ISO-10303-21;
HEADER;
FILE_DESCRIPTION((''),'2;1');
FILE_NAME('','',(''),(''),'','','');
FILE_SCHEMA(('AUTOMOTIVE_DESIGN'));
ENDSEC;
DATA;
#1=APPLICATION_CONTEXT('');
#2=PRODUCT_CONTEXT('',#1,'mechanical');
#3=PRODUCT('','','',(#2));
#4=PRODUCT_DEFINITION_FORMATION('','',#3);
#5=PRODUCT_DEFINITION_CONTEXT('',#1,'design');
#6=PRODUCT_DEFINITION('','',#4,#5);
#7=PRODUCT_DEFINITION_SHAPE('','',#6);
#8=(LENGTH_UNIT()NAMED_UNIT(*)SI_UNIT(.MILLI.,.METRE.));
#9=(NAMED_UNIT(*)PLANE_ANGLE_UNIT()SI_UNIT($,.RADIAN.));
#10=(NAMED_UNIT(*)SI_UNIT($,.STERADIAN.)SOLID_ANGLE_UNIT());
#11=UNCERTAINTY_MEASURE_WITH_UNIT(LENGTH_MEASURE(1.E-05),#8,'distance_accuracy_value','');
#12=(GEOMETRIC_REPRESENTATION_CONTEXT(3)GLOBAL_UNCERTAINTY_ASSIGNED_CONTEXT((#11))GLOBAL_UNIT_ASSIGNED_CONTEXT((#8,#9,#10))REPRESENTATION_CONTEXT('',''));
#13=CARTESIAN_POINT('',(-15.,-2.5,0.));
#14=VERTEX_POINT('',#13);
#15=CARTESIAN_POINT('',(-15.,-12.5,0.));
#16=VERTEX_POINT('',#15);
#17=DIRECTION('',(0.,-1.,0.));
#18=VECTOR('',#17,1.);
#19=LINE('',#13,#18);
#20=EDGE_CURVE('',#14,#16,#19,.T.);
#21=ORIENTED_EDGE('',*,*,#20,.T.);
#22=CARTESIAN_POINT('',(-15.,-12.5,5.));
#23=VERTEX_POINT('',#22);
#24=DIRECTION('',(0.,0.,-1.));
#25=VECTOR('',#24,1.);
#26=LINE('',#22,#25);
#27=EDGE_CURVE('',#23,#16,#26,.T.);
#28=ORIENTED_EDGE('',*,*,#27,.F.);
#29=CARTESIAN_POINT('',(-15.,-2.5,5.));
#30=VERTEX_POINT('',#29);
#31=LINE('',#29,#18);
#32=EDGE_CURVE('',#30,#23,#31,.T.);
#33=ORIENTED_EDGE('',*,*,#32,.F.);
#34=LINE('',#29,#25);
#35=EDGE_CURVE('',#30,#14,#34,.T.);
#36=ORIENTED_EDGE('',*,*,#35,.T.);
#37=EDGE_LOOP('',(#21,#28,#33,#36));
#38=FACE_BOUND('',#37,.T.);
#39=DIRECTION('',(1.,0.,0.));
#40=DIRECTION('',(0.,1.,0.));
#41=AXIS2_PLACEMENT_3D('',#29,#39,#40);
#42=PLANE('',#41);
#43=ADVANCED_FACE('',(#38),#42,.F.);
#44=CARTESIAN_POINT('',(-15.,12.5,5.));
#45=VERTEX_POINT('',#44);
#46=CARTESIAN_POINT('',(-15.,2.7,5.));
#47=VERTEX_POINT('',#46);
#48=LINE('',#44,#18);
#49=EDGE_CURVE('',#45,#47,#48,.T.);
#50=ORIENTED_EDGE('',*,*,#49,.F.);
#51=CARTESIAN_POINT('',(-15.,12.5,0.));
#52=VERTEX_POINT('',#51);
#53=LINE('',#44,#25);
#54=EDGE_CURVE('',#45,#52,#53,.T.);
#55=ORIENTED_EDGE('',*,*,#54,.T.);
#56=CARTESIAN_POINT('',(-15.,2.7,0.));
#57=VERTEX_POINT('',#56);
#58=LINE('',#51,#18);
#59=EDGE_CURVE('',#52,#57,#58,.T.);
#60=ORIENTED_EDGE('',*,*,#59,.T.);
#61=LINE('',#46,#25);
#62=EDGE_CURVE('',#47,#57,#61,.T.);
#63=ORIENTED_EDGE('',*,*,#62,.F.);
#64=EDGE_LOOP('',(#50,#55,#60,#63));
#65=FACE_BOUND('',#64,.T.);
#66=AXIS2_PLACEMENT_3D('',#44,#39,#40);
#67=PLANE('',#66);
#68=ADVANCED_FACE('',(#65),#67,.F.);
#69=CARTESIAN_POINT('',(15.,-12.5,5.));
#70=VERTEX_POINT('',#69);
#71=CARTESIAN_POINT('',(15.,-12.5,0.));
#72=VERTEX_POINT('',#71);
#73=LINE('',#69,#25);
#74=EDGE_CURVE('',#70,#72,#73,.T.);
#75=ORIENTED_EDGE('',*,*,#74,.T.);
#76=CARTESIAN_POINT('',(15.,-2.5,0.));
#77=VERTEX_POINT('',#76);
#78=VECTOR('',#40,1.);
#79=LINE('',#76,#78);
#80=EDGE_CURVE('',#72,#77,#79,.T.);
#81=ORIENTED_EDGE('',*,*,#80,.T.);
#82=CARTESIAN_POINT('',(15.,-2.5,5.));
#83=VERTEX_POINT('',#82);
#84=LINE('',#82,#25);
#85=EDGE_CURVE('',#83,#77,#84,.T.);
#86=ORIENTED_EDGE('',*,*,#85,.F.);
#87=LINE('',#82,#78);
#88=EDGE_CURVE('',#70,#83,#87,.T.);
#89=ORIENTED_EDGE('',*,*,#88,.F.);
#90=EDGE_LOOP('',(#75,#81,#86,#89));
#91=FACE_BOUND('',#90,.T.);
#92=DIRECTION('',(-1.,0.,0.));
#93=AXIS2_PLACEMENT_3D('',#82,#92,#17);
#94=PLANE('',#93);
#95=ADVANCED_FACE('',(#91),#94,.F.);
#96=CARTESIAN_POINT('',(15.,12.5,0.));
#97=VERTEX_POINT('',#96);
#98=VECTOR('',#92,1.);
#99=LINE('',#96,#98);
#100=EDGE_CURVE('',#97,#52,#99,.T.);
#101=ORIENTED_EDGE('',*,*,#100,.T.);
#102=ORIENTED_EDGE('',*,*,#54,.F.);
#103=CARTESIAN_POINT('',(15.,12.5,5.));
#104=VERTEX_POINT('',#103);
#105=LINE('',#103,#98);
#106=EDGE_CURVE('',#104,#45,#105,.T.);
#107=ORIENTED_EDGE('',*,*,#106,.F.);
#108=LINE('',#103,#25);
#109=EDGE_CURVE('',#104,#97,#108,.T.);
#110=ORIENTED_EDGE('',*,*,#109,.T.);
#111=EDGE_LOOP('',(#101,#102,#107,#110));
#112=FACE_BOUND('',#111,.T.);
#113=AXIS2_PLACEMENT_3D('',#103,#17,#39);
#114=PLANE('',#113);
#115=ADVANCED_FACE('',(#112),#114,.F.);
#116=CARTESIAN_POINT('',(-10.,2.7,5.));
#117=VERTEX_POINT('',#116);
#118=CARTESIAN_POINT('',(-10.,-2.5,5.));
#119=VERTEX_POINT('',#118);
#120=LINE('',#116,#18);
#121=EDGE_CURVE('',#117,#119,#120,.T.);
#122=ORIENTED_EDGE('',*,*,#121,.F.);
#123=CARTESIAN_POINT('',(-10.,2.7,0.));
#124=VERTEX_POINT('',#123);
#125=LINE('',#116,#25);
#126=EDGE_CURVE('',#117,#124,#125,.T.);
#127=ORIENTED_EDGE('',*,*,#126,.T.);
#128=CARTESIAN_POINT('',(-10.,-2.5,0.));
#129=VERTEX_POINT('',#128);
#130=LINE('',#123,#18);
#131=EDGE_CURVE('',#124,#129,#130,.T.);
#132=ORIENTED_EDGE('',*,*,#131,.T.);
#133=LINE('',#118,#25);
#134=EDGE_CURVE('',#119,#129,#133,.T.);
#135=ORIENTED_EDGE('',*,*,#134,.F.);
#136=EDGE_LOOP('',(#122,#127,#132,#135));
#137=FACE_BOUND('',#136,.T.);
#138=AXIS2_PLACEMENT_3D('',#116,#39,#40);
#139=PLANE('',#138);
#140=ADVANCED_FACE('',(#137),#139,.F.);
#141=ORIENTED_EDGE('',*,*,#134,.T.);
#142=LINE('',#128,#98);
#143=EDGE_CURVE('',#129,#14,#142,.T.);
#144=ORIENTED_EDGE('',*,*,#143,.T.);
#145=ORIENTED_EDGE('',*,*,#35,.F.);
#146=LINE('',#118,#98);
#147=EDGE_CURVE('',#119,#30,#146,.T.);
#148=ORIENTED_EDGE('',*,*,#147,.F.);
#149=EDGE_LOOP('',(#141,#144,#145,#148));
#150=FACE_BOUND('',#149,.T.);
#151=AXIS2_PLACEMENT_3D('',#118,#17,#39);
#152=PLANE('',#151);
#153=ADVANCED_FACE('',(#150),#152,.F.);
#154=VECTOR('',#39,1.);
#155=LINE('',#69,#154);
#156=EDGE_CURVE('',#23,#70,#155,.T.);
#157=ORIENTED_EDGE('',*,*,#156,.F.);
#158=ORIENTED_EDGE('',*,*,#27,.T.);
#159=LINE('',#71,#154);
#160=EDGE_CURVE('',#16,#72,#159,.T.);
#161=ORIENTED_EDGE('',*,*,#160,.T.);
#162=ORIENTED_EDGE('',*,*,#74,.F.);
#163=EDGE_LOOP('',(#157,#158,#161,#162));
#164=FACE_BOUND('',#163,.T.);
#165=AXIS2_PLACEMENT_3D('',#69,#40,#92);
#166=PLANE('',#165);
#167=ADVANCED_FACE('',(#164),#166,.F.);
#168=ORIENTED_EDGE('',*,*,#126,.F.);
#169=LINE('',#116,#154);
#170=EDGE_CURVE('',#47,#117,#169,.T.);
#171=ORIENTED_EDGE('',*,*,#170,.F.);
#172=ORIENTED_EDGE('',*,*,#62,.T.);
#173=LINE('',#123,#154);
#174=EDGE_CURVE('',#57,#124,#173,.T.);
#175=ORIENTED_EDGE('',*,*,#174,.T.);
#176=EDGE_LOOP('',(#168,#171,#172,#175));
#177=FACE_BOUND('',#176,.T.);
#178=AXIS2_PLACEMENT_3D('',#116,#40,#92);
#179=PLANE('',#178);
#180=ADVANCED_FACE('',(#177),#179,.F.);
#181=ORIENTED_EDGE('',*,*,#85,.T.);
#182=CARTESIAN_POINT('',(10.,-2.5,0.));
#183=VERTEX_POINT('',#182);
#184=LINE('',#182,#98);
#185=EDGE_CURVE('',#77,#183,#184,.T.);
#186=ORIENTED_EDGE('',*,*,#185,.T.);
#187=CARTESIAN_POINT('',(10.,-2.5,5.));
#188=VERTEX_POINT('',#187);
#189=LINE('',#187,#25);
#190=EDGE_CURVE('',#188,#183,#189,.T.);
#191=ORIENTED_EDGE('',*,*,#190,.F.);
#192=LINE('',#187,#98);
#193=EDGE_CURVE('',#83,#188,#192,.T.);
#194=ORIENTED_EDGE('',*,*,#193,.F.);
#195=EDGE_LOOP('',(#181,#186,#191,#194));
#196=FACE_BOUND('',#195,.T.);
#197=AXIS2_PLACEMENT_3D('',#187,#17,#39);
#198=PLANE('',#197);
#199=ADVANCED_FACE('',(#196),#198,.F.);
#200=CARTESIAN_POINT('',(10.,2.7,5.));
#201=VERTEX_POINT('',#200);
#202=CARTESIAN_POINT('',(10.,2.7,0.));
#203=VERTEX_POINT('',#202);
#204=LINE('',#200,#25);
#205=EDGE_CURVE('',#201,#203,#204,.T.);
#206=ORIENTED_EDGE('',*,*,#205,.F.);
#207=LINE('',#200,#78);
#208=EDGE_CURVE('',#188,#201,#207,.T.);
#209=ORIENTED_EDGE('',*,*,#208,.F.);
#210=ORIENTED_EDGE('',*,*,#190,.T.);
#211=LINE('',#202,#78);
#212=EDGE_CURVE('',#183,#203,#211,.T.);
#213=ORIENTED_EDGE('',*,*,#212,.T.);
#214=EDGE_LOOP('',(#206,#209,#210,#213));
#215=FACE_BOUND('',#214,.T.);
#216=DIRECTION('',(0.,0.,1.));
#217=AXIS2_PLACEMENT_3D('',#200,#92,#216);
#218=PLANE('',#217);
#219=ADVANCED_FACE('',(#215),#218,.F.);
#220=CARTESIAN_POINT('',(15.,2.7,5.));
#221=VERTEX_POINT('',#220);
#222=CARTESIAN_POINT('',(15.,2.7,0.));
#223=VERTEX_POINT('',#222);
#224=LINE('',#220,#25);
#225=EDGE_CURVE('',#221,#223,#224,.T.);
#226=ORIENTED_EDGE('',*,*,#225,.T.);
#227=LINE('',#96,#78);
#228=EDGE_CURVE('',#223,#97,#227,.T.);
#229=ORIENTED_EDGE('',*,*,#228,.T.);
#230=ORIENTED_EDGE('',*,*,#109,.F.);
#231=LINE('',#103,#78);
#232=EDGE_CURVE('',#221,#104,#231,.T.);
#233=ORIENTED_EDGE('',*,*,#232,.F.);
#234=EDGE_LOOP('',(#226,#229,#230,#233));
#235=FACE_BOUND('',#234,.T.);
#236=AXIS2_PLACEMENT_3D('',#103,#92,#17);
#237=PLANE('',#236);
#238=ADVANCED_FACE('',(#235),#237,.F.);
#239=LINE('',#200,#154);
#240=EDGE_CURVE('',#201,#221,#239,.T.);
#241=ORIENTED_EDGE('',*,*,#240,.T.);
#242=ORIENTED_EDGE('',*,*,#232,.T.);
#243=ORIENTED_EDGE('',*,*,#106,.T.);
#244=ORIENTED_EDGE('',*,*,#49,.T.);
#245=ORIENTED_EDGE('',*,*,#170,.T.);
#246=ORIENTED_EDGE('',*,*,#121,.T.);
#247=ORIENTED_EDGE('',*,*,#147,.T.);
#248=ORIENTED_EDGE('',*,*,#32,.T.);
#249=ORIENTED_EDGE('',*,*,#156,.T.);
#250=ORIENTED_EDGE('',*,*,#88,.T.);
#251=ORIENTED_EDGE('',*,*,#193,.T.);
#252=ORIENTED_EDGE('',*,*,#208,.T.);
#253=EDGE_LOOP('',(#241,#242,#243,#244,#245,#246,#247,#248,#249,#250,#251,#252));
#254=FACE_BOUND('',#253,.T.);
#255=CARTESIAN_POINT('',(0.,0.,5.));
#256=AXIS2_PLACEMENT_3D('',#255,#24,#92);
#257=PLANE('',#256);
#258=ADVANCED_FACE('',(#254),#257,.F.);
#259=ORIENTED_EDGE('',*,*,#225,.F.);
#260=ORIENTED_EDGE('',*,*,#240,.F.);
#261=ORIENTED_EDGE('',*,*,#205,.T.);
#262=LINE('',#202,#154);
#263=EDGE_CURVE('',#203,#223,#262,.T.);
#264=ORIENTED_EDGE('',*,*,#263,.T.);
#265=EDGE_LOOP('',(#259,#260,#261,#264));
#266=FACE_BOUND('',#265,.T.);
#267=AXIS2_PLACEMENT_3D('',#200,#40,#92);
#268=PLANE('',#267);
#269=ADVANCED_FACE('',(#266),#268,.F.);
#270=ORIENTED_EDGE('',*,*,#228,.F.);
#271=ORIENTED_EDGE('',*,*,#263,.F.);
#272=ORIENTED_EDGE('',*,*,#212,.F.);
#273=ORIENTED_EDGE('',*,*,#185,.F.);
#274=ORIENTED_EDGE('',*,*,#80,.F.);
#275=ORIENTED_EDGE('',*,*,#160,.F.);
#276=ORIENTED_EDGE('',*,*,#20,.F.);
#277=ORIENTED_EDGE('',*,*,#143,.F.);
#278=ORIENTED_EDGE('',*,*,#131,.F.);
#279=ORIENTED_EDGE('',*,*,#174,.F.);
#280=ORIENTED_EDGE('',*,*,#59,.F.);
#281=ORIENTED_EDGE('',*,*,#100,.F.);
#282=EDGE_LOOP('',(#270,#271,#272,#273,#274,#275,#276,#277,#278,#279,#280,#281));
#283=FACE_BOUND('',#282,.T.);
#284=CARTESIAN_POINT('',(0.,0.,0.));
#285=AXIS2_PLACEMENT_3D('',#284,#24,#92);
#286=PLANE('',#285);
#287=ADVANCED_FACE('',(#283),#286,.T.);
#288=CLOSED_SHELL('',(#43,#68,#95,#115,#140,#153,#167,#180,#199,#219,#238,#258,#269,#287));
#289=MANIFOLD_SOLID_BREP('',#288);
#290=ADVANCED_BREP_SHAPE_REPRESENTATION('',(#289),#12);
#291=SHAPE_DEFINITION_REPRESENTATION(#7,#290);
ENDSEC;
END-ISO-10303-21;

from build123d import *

# Parameters (mm, degrees)
BOSS_EXTRUDE1_DEPTH = 5


with BuildPart() as part:
    # Sketch1 → Boss-Extrude1 (new body)
    with BuildSketch(Plane.XY):
        Polygon((10, 2.7), (15, 2.7), (15, 12.5), (-15, 12.5), (-15, 2.7), (-10, 2.7), (-10, -2.5), (-15, -2.5), (-15, -12.5), (15, -12.5), (15, -2.5), (10, -2.5), align=None)
    extrude(amount=BOSS_EXTRUDE1_DEPTH)


solid = part.part
